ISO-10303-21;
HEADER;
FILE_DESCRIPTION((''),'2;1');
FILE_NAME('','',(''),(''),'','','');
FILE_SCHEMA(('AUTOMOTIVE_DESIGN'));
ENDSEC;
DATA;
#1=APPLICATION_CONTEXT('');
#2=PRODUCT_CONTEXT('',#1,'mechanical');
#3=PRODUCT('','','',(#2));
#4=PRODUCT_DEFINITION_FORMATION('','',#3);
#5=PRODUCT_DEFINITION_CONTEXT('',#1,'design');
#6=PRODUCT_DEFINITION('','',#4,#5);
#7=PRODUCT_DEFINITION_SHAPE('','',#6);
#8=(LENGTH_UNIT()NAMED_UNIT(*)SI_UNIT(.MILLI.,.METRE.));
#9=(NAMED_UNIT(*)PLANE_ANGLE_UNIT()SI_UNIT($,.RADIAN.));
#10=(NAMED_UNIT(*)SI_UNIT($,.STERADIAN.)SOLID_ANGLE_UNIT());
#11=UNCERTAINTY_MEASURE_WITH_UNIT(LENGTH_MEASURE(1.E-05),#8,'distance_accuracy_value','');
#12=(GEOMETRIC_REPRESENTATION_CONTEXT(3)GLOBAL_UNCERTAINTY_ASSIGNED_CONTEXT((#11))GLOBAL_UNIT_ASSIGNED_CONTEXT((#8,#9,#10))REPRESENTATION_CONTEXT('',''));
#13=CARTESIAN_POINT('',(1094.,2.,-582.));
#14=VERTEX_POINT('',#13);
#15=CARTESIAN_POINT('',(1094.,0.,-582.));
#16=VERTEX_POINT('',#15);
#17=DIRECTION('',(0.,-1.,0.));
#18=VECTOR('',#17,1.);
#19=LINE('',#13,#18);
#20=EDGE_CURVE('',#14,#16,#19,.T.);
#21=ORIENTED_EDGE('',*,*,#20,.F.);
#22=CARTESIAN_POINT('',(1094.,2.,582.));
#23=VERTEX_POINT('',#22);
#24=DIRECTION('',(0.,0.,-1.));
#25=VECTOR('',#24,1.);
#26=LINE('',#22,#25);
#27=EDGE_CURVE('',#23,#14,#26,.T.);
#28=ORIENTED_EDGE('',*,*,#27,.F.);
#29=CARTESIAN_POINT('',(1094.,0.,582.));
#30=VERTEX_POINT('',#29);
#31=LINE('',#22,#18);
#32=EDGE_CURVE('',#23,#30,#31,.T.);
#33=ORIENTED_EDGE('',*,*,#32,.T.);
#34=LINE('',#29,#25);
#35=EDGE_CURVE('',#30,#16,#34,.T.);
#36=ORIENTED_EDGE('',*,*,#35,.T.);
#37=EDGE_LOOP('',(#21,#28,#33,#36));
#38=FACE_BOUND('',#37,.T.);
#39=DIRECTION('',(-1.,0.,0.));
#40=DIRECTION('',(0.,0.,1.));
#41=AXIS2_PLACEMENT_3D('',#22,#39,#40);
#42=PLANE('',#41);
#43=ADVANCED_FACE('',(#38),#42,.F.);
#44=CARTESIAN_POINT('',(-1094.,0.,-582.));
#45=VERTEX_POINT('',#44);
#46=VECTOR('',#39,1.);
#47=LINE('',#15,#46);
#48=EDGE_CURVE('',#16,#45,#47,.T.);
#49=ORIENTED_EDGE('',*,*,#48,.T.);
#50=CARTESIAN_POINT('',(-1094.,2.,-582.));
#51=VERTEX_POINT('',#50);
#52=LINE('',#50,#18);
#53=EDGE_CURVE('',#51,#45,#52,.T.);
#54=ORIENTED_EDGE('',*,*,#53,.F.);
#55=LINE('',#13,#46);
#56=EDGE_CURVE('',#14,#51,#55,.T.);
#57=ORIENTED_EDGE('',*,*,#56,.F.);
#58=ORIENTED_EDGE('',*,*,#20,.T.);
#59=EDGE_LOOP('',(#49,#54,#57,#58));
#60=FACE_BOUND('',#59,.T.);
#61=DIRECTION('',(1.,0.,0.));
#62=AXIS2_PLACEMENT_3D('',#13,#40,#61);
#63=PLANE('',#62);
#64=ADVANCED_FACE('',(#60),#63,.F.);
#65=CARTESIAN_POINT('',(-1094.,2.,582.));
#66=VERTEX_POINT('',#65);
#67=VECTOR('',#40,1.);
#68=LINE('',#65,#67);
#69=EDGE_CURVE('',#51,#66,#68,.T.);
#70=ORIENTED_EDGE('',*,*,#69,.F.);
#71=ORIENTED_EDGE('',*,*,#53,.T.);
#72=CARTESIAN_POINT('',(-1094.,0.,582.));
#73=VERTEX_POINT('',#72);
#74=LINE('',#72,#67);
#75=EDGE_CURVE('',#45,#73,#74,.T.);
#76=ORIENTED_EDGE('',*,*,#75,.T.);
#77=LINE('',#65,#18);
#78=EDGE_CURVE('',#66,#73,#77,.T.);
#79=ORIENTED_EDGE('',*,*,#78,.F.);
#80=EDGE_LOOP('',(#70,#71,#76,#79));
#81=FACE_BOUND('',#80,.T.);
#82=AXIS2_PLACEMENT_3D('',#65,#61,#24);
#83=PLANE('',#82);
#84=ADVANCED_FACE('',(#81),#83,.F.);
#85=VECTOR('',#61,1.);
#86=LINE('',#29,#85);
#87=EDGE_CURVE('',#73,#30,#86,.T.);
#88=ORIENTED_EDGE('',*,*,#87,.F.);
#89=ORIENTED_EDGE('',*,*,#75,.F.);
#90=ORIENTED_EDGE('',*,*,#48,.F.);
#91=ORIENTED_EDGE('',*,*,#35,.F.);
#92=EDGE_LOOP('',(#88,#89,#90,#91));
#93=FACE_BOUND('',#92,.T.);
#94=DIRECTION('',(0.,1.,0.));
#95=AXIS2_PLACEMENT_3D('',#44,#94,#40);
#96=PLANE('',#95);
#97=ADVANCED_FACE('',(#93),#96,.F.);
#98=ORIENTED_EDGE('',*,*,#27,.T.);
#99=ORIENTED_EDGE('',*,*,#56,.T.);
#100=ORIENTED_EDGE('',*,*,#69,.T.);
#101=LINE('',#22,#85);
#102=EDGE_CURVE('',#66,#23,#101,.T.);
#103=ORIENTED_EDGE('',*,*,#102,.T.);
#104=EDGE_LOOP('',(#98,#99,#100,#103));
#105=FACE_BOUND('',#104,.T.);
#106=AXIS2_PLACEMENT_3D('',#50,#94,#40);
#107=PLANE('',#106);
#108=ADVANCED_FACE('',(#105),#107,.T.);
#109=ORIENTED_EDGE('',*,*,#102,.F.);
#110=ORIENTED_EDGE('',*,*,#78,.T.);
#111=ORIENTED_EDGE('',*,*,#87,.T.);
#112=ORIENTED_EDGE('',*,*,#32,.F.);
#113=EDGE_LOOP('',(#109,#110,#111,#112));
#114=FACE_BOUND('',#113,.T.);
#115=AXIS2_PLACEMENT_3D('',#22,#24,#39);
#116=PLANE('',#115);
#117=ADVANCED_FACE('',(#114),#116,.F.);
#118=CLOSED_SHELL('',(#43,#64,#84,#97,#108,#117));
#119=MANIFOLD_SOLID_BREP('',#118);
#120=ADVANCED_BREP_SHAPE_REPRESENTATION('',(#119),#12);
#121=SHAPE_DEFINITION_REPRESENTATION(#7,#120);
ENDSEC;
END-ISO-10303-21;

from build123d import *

# Parameters (mm, degrees)
CROQUIS1_W     = 2188
CROQUIS1_H     = 1164
EXTRUIR1_DEPTH = 2


with BuildPart() as part:
    # Croquis1 → Extruir1 (new body)
    with BuildSketch(Plane(origin=(0, 0, 0), x_dir=(1, 0, 0), z_dir=(0, 1, 0))):
        Rectangle(CROQUIS1_W, CROQUIS1_H)
    extrude(amount=EXTRUIR1_DEPTH)


solid = part.part
